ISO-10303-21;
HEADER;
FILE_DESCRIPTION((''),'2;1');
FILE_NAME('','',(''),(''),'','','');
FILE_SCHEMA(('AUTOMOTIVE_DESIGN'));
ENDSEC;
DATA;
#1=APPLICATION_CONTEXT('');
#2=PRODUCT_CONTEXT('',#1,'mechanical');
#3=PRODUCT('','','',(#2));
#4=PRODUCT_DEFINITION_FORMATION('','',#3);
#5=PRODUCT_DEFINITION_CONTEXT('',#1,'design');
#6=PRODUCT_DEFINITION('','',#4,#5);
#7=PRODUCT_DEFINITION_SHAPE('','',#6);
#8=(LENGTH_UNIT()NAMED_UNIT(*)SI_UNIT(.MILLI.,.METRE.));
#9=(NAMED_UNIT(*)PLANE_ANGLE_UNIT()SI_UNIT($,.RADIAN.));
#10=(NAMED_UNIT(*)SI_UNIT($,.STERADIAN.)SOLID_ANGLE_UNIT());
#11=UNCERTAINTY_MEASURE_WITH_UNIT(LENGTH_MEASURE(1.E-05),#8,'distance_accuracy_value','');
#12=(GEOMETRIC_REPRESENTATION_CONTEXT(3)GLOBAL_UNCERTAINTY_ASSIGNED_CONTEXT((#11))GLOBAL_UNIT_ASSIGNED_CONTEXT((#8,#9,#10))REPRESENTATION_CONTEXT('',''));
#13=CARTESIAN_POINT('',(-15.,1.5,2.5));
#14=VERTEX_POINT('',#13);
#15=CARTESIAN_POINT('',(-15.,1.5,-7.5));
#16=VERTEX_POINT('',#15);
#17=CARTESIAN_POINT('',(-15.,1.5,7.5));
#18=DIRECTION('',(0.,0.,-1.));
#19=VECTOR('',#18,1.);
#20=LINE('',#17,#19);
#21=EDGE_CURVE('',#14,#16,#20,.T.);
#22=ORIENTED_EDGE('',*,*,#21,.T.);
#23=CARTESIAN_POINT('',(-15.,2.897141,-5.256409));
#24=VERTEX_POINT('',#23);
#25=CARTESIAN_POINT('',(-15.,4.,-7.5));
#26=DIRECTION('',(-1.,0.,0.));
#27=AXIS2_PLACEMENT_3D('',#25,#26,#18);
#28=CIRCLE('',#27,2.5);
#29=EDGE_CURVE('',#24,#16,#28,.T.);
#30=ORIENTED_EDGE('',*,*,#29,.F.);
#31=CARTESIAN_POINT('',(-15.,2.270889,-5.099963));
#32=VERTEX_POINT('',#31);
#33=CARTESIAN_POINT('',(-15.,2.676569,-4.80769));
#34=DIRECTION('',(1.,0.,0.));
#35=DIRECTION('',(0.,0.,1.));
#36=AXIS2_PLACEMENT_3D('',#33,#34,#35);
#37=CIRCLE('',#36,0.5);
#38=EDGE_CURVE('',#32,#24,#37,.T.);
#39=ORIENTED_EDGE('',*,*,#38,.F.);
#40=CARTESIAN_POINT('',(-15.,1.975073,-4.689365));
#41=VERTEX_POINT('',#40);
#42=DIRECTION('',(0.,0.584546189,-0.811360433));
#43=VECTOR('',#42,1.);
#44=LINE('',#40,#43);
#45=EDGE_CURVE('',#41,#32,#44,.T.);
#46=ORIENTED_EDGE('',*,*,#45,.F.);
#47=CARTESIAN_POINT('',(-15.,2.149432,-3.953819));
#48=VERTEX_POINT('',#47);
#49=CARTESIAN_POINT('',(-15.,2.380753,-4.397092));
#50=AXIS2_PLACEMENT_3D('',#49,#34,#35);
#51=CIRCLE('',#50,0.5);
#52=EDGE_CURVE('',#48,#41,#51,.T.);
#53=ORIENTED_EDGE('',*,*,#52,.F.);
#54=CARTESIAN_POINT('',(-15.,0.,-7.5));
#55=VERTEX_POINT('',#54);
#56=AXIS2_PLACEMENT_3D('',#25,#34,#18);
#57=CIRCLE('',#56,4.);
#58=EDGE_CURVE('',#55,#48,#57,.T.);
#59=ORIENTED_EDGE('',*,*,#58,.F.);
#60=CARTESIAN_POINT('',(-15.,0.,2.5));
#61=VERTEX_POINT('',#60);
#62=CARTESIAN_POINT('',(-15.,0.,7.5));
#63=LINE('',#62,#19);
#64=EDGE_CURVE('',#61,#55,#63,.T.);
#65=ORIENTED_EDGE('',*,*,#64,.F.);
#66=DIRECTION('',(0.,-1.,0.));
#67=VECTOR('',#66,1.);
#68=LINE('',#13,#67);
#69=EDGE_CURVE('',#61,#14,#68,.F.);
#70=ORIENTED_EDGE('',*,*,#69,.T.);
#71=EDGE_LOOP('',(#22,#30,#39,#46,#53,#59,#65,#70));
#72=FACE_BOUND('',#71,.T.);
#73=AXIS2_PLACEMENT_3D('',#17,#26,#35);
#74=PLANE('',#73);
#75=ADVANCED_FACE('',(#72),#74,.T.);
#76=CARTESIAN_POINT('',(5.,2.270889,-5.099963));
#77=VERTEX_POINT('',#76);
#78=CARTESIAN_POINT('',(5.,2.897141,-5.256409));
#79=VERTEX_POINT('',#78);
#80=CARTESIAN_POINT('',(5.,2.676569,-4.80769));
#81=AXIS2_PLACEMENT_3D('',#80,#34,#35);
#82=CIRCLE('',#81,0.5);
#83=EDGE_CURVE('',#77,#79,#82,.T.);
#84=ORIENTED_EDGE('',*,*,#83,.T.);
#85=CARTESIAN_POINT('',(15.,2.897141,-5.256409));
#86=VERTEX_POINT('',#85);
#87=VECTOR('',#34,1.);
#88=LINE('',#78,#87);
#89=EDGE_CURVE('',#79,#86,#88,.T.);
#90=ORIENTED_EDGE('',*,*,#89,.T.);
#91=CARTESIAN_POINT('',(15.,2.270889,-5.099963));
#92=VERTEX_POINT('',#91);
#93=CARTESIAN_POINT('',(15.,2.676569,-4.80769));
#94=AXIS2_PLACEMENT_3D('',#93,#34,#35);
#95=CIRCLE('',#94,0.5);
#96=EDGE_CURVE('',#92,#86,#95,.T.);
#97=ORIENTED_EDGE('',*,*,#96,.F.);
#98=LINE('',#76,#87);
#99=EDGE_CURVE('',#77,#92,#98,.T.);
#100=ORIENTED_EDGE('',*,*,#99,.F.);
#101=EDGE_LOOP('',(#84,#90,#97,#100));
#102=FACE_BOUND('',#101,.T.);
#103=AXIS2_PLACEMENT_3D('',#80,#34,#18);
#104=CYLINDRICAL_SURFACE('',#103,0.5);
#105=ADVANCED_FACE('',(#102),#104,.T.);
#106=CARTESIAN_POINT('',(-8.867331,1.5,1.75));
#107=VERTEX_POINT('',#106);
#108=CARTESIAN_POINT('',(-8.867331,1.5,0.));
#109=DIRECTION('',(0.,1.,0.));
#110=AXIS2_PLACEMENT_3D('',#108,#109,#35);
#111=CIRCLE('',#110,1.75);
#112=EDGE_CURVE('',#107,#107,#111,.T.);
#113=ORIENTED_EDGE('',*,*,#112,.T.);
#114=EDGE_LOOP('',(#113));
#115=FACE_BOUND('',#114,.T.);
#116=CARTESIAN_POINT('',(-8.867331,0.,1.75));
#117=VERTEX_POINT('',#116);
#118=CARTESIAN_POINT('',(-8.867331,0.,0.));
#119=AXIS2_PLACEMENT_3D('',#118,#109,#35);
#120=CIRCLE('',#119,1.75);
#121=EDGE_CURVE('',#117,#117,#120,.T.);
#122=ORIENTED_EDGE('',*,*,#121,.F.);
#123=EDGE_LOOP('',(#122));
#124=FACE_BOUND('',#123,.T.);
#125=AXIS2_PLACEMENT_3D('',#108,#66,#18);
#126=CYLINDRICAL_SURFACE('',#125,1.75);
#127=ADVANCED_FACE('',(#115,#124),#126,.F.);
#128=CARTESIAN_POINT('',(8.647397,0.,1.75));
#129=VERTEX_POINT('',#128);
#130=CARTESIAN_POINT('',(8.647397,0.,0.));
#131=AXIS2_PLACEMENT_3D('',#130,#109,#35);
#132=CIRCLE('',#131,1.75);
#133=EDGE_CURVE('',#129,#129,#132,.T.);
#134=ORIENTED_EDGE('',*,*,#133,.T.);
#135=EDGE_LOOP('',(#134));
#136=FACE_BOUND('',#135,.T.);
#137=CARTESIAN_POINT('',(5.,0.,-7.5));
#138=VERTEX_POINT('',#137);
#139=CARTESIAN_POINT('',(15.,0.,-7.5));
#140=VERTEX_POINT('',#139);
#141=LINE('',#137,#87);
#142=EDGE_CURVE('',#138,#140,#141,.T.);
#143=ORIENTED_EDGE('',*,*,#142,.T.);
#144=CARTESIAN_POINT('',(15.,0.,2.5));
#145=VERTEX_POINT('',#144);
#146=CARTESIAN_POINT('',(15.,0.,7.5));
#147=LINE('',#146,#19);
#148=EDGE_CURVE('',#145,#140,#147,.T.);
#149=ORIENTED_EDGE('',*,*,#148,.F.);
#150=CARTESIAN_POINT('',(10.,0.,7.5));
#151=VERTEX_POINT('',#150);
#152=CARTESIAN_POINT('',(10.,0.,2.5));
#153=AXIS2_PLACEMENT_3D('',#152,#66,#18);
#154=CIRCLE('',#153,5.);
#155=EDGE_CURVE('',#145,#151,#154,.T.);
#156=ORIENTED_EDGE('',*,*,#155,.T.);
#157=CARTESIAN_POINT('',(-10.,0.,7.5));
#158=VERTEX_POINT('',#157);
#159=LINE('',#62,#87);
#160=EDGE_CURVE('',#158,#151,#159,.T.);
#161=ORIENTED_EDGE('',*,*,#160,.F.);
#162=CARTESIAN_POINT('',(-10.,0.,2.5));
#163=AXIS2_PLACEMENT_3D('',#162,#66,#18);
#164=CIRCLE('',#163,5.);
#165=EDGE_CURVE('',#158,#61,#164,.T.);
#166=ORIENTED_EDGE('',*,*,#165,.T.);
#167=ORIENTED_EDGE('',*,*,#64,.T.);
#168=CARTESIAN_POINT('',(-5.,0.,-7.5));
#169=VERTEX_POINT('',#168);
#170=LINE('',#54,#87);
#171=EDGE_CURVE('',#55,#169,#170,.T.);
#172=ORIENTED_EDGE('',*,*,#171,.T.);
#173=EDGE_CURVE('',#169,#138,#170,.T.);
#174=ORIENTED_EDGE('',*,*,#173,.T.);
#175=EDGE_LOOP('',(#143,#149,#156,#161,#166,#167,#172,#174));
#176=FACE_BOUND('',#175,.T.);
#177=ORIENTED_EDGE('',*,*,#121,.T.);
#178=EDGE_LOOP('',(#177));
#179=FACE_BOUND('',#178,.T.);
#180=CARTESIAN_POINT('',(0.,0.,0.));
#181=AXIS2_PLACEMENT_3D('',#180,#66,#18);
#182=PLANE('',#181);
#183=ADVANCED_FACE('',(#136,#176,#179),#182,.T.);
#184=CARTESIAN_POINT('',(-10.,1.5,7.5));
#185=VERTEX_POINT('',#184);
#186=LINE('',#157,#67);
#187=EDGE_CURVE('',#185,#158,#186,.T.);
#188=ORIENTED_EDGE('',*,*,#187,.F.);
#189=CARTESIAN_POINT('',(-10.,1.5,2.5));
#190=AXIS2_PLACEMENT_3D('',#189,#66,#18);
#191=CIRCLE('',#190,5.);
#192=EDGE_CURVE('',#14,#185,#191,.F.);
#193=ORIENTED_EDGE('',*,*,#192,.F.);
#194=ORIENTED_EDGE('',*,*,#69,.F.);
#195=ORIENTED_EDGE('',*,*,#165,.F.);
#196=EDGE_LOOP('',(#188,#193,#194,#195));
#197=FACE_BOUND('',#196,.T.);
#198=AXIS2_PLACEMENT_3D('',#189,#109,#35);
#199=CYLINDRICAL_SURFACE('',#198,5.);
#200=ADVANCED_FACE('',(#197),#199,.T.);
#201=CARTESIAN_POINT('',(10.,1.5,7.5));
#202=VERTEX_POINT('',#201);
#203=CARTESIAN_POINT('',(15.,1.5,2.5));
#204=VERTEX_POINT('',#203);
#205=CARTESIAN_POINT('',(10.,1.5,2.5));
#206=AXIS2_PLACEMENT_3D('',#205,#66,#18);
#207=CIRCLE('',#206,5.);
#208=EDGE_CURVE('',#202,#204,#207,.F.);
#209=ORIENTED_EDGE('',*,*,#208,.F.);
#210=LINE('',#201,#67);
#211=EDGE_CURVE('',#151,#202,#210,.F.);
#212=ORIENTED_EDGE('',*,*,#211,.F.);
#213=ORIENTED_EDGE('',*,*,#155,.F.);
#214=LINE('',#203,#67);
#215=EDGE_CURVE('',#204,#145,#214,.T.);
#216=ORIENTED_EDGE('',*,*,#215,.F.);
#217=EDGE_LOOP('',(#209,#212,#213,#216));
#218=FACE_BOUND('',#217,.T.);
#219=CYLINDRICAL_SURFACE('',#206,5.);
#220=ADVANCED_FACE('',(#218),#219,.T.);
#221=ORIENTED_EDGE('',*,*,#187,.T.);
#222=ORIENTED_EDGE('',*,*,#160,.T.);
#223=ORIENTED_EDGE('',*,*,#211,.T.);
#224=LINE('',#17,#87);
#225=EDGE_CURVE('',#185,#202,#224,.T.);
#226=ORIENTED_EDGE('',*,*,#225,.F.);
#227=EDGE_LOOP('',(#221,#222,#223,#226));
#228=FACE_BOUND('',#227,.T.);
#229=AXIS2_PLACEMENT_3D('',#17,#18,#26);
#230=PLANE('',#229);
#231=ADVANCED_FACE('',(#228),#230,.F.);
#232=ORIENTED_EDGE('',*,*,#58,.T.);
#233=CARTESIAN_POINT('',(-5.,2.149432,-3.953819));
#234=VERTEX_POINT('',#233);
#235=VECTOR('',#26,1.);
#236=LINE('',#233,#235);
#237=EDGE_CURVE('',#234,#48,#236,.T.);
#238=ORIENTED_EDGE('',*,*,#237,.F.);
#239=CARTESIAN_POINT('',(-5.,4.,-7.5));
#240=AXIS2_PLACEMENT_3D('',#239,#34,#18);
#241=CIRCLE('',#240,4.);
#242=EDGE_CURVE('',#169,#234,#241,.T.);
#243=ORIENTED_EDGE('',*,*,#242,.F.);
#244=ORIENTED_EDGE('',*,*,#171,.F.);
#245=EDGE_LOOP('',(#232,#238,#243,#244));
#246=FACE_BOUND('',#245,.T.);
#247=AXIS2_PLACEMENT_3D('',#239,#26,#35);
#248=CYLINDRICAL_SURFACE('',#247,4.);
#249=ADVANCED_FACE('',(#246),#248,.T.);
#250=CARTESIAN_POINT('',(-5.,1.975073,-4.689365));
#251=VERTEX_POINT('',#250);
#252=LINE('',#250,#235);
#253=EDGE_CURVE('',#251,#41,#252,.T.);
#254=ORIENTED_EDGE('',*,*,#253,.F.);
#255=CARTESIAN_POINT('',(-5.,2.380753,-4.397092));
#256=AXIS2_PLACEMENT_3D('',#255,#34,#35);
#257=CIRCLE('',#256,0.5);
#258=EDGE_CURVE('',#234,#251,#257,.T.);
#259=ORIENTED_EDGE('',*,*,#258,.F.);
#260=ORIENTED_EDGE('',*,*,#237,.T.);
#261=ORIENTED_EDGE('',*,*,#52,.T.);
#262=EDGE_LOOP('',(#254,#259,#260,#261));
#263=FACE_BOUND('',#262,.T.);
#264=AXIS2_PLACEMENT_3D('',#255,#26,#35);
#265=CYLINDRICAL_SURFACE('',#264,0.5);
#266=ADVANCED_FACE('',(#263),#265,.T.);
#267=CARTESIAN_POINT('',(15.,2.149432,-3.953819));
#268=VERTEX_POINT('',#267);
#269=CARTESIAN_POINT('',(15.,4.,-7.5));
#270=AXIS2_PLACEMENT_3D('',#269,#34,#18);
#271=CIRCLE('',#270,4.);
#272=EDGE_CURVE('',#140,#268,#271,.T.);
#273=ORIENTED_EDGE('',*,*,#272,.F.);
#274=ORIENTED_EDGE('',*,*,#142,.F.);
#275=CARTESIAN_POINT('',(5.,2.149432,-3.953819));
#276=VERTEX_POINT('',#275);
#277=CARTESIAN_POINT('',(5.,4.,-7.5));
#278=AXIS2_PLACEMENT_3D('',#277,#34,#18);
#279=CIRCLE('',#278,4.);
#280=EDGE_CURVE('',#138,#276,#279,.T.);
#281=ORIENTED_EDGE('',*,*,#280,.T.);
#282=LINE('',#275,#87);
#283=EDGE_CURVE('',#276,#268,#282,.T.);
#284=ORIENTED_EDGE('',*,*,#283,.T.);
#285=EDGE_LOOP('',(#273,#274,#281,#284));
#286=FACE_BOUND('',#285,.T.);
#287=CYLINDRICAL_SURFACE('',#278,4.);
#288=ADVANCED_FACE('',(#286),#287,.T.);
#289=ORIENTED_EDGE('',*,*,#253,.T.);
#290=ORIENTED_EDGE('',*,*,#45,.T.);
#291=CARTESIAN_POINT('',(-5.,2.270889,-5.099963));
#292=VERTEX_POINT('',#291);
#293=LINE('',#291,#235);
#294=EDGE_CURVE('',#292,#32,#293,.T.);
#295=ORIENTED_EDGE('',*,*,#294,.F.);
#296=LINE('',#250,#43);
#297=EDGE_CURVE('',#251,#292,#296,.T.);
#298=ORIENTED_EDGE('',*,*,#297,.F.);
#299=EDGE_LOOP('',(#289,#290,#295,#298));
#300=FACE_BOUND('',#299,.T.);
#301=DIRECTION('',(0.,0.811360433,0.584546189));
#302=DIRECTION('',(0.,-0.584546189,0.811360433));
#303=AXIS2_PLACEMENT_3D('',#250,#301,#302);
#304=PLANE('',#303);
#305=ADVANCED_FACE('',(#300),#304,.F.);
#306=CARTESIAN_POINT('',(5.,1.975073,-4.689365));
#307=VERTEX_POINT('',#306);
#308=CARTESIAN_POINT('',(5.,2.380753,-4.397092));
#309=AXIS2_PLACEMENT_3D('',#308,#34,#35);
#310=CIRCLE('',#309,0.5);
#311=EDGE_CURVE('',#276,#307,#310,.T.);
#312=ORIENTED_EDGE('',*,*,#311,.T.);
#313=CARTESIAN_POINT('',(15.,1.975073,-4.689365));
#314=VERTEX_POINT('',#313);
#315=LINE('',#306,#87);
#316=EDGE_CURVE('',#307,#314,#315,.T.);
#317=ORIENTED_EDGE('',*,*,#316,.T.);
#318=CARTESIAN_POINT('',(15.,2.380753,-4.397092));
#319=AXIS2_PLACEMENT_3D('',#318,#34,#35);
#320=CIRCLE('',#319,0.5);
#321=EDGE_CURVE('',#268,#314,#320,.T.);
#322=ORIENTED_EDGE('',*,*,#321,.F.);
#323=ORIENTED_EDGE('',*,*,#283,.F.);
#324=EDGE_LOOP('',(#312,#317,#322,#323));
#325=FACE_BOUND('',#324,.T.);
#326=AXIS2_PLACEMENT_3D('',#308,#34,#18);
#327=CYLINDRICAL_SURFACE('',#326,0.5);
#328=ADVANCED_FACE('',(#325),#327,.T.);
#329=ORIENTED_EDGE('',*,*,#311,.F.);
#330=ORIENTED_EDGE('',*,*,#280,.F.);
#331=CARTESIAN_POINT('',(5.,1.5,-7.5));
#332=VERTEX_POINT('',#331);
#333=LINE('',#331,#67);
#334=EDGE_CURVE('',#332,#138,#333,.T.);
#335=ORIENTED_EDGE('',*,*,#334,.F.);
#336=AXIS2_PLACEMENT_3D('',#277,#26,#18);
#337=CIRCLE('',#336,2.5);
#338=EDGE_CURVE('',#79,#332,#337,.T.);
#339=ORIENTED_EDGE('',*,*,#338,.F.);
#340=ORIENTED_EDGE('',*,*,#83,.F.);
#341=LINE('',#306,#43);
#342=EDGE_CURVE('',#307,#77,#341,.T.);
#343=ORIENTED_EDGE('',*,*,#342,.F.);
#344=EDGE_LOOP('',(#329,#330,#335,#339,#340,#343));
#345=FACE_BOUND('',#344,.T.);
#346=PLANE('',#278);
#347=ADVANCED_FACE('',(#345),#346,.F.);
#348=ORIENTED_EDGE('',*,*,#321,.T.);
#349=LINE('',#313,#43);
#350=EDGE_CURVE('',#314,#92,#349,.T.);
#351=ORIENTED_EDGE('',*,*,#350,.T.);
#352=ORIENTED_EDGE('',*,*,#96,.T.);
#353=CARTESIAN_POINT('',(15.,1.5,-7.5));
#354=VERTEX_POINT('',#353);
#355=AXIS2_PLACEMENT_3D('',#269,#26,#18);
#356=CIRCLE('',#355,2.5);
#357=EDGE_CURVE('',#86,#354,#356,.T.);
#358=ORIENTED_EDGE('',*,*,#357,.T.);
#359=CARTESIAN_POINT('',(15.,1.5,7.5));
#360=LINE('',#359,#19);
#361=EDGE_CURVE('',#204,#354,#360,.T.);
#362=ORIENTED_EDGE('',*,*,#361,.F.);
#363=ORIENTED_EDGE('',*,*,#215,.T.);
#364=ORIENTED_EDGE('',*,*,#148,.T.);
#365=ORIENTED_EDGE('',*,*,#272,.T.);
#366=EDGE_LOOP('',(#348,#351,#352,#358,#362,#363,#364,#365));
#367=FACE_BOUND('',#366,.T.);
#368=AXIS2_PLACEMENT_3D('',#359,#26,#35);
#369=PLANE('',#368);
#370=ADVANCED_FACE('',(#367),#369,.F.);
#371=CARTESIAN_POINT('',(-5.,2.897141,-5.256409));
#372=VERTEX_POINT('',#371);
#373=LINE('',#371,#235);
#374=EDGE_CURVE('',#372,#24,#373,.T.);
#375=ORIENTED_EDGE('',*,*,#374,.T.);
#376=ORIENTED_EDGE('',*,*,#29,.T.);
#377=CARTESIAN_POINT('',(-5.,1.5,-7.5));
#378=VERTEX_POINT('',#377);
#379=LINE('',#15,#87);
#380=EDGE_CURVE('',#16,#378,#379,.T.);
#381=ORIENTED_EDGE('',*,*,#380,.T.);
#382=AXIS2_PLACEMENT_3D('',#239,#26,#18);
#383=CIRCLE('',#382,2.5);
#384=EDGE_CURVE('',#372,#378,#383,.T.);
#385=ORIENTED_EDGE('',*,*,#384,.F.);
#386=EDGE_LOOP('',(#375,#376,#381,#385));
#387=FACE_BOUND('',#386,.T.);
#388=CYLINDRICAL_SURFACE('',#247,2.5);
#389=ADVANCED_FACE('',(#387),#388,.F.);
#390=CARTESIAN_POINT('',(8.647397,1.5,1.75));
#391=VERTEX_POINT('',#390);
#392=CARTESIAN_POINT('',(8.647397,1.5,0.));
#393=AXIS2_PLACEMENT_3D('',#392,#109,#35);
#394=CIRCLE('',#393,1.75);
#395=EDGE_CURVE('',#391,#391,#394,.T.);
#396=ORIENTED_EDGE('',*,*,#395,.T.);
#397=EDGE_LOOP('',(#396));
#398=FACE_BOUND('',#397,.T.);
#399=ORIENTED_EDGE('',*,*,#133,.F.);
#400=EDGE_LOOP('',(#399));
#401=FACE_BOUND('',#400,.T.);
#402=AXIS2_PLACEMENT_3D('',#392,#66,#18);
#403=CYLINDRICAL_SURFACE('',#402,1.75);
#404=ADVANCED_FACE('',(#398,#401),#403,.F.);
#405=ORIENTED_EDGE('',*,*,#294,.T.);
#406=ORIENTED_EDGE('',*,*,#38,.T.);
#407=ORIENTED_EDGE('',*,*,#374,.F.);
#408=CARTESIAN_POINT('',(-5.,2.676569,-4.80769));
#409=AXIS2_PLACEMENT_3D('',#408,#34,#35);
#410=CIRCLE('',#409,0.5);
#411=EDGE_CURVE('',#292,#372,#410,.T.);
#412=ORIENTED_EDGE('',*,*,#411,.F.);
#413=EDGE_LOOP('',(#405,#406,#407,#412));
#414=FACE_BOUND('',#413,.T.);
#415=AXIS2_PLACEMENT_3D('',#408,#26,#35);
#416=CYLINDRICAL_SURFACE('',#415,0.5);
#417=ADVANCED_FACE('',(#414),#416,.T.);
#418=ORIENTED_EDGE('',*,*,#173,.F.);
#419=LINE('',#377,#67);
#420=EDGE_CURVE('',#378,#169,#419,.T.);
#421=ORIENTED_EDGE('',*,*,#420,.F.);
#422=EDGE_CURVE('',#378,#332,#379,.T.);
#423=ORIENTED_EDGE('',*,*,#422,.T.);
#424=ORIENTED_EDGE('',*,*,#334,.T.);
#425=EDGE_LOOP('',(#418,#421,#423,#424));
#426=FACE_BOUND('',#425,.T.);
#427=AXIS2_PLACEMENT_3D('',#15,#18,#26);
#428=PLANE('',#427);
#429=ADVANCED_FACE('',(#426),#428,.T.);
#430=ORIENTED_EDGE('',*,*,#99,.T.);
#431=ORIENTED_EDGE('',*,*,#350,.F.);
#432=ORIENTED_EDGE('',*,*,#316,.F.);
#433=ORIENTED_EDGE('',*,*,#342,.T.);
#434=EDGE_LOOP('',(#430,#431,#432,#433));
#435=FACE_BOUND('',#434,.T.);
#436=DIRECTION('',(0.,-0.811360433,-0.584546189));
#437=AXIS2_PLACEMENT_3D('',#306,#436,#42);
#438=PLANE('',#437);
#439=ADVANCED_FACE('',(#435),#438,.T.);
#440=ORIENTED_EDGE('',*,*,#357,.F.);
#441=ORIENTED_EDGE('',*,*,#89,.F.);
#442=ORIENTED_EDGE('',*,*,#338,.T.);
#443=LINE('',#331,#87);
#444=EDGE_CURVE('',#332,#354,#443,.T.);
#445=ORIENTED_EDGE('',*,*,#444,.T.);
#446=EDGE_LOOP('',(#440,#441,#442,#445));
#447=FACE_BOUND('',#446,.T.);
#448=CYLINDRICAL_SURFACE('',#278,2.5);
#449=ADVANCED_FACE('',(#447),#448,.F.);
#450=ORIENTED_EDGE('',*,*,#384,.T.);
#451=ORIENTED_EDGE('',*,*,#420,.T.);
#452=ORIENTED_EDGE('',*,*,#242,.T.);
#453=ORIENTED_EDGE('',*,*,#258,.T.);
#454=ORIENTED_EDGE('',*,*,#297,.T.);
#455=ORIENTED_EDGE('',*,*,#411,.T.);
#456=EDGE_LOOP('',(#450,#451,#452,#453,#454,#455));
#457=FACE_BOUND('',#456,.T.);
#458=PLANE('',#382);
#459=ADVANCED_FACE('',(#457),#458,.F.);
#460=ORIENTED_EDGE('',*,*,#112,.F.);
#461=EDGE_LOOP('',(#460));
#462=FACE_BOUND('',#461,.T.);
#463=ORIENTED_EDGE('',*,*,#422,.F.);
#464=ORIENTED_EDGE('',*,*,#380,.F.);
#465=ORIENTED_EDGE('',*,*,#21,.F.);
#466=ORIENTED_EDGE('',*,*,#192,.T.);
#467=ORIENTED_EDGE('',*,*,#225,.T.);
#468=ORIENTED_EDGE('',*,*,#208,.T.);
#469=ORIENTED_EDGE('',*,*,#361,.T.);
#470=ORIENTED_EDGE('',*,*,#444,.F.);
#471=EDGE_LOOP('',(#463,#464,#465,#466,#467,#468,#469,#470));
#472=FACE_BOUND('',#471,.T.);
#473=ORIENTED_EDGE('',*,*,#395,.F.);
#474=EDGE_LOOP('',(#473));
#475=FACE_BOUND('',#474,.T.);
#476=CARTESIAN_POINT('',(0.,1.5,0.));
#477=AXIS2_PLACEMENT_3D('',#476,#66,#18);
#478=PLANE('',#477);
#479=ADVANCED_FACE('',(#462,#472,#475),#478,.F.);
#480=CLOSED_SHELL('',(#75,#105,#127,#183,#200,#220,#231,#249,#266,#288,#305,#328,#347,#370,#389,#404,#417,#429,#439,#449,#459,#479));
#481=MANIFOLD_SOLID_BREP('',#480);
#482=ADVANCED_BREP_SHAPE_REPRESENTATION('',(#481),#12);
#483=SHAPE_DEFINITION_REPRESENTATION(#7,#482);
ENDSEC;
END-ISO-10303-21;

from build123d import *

# Parameters (mm, degrees)
SKETCH_1_W      = 30
SKETCH_1_H      = 15
SKETCH_1_R      = 1.75
EXTRUDE_1_DEPTH = 1.5
FILLET_1_R      = 5
EXTRUDE_2_DEPTH = 10


with BuildPart() as part:
    # 草图1 → 凸台-拉伸1 (new body)
    with BuildSketch(Plane(origin=(0, 0, 0), x_dir=(1, 0, 0), z_dir=(0, 1, 0))):
        Rectangle(SKETCH_1_W, SKETCH_1_H)
        with Locations(Location((-8.867330988, 0, 0), (0, 0, 270))):
            Circle(SKETCH_1_R, mode=Mode.SUBTRACT)
        with Locations(Location((8.647397187, 0, 0), (0, 0, 270))):
            Circle(SKETCH_1_R, mode=Mode.SUBTRACT)
    extrude(amount=EXTRUDE_1_DEPTH)

    # 圆角1
    fillet_1_edges = [part.edges().sort_by_distance(p)[0] for p in [
        (-15, 0.75, 7.5),
        (15, 0.75, 7.5),
    ]]
    fillet(fillet_1_edges, radius=FILLET_1_R)

    # 草图2 → 凸台-拉伸2 (add)
    with BuildSketch(Plane(origin=(15, 0, 0), x_dir=(0, 0, -1), z_dir=(1, 0, 0))):
        with BuildLine():
            Line((7.5, 1.5), (7.5, 0))
            ThreePointArc((7.5, 0), (9.573370103, 7.420692388), (3.953819335, 2.149431792))
            ThreePointArc((3.953819335, 2.149431792), (4.281764154, 1.894235083), (4.689365013, 1.975072601))
            Line((4.689365013, 1.975072601), (5.099963472, 2.270889054))
            ThreePointArc((5.099963472, 2.270889054), (5.292783095, 2.555387358), (5.256408648, 2.897141058))
            ThreePointArc((5.256408648, 2.897141058), (8.821524242, 6.1221625), (7.5, 1.5))
        make_face()
    extrude_2 = extrude(amount=-EXTRUDE_2_DEPTH)

    # 镜向1: 凸台-拉伸2 across plane
    add(extrude_2.mirror(Plane(origin=(0, 0, 0), x_dir=(0, 0, 1), z_dir=(1, 0, 0))))


solid = part.part
